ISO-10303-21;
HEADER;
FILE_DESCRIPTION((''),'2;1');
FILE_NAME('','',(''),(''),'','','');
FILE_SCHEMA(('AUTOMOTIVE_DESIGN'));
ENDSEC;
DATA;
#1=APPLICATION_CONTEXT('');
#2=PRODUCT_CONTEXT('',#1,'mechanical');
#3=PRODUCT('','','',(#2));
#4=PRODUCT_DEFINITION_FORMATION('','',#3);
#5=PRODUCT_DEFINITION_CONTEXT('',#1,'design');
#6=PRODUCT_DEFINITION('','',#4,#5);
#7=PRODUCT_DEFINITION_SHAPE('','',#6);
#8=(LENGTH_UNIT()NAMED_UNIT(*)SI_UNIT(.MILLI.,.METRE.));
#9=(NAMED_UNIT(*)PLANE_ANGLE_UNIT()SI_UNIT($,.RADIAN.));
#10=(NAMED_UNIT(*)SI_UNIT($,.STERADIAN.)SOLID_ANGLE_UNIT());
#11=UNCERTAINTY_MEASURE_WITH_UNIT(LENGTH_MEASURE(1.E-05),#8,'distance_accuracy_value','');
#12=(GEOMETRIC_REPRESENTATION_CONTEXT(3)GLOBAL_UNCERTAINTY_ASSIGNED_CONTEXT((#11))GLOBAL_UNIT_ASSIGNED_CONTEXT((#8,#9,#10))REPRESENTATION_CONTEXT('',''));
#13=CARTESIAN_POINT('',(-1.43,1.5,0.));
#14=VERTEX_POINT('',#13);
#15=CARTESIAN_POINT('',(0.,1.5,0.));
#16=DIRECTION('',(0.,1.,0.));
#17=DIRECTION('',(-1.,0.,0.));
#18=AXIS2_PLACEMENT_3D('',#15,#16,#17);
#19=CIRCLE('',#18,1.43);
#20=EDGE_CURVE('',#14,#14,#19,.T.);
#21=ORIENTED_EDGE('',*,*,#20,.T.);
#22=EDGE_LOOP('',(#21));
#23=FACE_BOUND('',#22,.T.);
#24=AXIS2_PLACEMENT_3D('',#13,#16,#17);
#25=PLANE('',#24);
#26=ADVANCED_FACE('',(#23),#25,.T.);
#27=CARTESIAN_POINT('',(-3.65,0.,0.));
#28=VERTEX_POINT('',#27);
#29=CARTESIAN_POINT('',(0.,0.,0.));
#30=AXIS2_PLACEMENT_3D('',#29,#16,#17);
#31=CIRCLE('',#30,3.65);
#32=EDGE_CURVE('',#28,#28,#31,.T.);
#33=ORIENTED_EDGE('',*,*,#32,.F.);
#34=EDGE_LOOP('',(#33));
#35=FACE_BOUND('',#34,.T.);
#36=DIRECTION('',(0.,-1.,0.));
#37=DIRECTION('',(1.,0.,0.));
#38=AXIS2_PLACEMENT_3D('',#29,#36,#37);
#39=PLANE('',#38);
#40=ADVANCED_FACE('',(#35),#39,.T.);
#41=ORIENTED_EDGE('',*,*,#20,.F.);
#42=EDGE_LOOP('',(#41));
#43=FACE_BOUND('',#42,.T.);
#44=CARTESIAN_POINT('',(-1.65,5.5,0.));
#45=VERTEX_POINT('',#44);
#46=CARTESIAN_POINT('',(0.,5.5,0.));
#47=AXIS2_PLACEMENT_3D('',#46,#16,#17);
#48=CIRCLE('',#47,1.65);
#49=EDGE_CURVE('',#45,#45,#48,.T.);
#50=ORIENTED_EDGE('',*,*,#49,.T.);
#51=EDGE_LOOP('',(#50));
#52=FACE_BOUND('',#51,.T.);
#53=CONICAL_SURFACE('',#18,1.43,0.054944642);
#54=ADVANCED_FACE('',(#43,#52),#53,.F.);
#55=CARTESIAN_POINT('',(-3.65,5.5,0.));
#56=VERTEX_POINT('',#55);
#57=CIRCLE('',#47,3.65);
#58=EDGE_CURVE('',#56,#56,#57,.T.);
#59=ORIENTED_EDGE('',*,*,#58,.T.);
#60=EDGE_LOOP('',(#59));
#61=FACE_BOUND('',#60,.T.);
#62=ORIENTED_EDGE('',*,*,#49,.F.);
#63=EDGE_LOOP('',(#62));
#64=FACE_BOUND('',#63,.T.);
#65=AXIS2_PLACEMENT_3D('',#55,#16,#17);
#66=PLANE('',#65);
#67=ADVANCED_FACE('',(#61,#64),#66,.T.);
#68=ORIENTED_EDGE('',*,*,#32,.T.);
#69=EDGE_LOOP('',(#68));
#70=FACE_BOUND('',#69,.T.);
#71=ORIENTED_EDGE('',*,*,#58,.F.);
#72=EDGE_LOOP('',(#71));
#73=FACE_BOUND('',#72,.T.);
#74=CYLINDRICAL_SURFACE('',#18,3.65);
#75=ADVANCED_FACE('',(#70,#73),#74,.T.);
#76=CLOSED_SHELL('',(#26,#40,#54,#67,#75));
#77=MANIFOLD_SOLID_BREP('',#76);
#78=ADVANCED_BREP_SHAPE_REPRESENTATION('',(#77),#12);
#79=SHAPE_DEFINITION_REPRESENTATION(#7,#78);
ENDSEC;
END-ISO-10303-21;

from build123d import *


with BuildPart() as part:
    # Sketch1 → Revolve1 (revolve)
    with BuildSketch(Plane.XY):
        Polygon((0, 0), (-3.65, 0), (-3.65, 5.5), (-1.65, 5.5), (-1.43, 1.5), (0, 1.5), align=None)
    revolve(axis=Axis((0, 1.5, 0), (0, -1, 0)))


solid = part.part
